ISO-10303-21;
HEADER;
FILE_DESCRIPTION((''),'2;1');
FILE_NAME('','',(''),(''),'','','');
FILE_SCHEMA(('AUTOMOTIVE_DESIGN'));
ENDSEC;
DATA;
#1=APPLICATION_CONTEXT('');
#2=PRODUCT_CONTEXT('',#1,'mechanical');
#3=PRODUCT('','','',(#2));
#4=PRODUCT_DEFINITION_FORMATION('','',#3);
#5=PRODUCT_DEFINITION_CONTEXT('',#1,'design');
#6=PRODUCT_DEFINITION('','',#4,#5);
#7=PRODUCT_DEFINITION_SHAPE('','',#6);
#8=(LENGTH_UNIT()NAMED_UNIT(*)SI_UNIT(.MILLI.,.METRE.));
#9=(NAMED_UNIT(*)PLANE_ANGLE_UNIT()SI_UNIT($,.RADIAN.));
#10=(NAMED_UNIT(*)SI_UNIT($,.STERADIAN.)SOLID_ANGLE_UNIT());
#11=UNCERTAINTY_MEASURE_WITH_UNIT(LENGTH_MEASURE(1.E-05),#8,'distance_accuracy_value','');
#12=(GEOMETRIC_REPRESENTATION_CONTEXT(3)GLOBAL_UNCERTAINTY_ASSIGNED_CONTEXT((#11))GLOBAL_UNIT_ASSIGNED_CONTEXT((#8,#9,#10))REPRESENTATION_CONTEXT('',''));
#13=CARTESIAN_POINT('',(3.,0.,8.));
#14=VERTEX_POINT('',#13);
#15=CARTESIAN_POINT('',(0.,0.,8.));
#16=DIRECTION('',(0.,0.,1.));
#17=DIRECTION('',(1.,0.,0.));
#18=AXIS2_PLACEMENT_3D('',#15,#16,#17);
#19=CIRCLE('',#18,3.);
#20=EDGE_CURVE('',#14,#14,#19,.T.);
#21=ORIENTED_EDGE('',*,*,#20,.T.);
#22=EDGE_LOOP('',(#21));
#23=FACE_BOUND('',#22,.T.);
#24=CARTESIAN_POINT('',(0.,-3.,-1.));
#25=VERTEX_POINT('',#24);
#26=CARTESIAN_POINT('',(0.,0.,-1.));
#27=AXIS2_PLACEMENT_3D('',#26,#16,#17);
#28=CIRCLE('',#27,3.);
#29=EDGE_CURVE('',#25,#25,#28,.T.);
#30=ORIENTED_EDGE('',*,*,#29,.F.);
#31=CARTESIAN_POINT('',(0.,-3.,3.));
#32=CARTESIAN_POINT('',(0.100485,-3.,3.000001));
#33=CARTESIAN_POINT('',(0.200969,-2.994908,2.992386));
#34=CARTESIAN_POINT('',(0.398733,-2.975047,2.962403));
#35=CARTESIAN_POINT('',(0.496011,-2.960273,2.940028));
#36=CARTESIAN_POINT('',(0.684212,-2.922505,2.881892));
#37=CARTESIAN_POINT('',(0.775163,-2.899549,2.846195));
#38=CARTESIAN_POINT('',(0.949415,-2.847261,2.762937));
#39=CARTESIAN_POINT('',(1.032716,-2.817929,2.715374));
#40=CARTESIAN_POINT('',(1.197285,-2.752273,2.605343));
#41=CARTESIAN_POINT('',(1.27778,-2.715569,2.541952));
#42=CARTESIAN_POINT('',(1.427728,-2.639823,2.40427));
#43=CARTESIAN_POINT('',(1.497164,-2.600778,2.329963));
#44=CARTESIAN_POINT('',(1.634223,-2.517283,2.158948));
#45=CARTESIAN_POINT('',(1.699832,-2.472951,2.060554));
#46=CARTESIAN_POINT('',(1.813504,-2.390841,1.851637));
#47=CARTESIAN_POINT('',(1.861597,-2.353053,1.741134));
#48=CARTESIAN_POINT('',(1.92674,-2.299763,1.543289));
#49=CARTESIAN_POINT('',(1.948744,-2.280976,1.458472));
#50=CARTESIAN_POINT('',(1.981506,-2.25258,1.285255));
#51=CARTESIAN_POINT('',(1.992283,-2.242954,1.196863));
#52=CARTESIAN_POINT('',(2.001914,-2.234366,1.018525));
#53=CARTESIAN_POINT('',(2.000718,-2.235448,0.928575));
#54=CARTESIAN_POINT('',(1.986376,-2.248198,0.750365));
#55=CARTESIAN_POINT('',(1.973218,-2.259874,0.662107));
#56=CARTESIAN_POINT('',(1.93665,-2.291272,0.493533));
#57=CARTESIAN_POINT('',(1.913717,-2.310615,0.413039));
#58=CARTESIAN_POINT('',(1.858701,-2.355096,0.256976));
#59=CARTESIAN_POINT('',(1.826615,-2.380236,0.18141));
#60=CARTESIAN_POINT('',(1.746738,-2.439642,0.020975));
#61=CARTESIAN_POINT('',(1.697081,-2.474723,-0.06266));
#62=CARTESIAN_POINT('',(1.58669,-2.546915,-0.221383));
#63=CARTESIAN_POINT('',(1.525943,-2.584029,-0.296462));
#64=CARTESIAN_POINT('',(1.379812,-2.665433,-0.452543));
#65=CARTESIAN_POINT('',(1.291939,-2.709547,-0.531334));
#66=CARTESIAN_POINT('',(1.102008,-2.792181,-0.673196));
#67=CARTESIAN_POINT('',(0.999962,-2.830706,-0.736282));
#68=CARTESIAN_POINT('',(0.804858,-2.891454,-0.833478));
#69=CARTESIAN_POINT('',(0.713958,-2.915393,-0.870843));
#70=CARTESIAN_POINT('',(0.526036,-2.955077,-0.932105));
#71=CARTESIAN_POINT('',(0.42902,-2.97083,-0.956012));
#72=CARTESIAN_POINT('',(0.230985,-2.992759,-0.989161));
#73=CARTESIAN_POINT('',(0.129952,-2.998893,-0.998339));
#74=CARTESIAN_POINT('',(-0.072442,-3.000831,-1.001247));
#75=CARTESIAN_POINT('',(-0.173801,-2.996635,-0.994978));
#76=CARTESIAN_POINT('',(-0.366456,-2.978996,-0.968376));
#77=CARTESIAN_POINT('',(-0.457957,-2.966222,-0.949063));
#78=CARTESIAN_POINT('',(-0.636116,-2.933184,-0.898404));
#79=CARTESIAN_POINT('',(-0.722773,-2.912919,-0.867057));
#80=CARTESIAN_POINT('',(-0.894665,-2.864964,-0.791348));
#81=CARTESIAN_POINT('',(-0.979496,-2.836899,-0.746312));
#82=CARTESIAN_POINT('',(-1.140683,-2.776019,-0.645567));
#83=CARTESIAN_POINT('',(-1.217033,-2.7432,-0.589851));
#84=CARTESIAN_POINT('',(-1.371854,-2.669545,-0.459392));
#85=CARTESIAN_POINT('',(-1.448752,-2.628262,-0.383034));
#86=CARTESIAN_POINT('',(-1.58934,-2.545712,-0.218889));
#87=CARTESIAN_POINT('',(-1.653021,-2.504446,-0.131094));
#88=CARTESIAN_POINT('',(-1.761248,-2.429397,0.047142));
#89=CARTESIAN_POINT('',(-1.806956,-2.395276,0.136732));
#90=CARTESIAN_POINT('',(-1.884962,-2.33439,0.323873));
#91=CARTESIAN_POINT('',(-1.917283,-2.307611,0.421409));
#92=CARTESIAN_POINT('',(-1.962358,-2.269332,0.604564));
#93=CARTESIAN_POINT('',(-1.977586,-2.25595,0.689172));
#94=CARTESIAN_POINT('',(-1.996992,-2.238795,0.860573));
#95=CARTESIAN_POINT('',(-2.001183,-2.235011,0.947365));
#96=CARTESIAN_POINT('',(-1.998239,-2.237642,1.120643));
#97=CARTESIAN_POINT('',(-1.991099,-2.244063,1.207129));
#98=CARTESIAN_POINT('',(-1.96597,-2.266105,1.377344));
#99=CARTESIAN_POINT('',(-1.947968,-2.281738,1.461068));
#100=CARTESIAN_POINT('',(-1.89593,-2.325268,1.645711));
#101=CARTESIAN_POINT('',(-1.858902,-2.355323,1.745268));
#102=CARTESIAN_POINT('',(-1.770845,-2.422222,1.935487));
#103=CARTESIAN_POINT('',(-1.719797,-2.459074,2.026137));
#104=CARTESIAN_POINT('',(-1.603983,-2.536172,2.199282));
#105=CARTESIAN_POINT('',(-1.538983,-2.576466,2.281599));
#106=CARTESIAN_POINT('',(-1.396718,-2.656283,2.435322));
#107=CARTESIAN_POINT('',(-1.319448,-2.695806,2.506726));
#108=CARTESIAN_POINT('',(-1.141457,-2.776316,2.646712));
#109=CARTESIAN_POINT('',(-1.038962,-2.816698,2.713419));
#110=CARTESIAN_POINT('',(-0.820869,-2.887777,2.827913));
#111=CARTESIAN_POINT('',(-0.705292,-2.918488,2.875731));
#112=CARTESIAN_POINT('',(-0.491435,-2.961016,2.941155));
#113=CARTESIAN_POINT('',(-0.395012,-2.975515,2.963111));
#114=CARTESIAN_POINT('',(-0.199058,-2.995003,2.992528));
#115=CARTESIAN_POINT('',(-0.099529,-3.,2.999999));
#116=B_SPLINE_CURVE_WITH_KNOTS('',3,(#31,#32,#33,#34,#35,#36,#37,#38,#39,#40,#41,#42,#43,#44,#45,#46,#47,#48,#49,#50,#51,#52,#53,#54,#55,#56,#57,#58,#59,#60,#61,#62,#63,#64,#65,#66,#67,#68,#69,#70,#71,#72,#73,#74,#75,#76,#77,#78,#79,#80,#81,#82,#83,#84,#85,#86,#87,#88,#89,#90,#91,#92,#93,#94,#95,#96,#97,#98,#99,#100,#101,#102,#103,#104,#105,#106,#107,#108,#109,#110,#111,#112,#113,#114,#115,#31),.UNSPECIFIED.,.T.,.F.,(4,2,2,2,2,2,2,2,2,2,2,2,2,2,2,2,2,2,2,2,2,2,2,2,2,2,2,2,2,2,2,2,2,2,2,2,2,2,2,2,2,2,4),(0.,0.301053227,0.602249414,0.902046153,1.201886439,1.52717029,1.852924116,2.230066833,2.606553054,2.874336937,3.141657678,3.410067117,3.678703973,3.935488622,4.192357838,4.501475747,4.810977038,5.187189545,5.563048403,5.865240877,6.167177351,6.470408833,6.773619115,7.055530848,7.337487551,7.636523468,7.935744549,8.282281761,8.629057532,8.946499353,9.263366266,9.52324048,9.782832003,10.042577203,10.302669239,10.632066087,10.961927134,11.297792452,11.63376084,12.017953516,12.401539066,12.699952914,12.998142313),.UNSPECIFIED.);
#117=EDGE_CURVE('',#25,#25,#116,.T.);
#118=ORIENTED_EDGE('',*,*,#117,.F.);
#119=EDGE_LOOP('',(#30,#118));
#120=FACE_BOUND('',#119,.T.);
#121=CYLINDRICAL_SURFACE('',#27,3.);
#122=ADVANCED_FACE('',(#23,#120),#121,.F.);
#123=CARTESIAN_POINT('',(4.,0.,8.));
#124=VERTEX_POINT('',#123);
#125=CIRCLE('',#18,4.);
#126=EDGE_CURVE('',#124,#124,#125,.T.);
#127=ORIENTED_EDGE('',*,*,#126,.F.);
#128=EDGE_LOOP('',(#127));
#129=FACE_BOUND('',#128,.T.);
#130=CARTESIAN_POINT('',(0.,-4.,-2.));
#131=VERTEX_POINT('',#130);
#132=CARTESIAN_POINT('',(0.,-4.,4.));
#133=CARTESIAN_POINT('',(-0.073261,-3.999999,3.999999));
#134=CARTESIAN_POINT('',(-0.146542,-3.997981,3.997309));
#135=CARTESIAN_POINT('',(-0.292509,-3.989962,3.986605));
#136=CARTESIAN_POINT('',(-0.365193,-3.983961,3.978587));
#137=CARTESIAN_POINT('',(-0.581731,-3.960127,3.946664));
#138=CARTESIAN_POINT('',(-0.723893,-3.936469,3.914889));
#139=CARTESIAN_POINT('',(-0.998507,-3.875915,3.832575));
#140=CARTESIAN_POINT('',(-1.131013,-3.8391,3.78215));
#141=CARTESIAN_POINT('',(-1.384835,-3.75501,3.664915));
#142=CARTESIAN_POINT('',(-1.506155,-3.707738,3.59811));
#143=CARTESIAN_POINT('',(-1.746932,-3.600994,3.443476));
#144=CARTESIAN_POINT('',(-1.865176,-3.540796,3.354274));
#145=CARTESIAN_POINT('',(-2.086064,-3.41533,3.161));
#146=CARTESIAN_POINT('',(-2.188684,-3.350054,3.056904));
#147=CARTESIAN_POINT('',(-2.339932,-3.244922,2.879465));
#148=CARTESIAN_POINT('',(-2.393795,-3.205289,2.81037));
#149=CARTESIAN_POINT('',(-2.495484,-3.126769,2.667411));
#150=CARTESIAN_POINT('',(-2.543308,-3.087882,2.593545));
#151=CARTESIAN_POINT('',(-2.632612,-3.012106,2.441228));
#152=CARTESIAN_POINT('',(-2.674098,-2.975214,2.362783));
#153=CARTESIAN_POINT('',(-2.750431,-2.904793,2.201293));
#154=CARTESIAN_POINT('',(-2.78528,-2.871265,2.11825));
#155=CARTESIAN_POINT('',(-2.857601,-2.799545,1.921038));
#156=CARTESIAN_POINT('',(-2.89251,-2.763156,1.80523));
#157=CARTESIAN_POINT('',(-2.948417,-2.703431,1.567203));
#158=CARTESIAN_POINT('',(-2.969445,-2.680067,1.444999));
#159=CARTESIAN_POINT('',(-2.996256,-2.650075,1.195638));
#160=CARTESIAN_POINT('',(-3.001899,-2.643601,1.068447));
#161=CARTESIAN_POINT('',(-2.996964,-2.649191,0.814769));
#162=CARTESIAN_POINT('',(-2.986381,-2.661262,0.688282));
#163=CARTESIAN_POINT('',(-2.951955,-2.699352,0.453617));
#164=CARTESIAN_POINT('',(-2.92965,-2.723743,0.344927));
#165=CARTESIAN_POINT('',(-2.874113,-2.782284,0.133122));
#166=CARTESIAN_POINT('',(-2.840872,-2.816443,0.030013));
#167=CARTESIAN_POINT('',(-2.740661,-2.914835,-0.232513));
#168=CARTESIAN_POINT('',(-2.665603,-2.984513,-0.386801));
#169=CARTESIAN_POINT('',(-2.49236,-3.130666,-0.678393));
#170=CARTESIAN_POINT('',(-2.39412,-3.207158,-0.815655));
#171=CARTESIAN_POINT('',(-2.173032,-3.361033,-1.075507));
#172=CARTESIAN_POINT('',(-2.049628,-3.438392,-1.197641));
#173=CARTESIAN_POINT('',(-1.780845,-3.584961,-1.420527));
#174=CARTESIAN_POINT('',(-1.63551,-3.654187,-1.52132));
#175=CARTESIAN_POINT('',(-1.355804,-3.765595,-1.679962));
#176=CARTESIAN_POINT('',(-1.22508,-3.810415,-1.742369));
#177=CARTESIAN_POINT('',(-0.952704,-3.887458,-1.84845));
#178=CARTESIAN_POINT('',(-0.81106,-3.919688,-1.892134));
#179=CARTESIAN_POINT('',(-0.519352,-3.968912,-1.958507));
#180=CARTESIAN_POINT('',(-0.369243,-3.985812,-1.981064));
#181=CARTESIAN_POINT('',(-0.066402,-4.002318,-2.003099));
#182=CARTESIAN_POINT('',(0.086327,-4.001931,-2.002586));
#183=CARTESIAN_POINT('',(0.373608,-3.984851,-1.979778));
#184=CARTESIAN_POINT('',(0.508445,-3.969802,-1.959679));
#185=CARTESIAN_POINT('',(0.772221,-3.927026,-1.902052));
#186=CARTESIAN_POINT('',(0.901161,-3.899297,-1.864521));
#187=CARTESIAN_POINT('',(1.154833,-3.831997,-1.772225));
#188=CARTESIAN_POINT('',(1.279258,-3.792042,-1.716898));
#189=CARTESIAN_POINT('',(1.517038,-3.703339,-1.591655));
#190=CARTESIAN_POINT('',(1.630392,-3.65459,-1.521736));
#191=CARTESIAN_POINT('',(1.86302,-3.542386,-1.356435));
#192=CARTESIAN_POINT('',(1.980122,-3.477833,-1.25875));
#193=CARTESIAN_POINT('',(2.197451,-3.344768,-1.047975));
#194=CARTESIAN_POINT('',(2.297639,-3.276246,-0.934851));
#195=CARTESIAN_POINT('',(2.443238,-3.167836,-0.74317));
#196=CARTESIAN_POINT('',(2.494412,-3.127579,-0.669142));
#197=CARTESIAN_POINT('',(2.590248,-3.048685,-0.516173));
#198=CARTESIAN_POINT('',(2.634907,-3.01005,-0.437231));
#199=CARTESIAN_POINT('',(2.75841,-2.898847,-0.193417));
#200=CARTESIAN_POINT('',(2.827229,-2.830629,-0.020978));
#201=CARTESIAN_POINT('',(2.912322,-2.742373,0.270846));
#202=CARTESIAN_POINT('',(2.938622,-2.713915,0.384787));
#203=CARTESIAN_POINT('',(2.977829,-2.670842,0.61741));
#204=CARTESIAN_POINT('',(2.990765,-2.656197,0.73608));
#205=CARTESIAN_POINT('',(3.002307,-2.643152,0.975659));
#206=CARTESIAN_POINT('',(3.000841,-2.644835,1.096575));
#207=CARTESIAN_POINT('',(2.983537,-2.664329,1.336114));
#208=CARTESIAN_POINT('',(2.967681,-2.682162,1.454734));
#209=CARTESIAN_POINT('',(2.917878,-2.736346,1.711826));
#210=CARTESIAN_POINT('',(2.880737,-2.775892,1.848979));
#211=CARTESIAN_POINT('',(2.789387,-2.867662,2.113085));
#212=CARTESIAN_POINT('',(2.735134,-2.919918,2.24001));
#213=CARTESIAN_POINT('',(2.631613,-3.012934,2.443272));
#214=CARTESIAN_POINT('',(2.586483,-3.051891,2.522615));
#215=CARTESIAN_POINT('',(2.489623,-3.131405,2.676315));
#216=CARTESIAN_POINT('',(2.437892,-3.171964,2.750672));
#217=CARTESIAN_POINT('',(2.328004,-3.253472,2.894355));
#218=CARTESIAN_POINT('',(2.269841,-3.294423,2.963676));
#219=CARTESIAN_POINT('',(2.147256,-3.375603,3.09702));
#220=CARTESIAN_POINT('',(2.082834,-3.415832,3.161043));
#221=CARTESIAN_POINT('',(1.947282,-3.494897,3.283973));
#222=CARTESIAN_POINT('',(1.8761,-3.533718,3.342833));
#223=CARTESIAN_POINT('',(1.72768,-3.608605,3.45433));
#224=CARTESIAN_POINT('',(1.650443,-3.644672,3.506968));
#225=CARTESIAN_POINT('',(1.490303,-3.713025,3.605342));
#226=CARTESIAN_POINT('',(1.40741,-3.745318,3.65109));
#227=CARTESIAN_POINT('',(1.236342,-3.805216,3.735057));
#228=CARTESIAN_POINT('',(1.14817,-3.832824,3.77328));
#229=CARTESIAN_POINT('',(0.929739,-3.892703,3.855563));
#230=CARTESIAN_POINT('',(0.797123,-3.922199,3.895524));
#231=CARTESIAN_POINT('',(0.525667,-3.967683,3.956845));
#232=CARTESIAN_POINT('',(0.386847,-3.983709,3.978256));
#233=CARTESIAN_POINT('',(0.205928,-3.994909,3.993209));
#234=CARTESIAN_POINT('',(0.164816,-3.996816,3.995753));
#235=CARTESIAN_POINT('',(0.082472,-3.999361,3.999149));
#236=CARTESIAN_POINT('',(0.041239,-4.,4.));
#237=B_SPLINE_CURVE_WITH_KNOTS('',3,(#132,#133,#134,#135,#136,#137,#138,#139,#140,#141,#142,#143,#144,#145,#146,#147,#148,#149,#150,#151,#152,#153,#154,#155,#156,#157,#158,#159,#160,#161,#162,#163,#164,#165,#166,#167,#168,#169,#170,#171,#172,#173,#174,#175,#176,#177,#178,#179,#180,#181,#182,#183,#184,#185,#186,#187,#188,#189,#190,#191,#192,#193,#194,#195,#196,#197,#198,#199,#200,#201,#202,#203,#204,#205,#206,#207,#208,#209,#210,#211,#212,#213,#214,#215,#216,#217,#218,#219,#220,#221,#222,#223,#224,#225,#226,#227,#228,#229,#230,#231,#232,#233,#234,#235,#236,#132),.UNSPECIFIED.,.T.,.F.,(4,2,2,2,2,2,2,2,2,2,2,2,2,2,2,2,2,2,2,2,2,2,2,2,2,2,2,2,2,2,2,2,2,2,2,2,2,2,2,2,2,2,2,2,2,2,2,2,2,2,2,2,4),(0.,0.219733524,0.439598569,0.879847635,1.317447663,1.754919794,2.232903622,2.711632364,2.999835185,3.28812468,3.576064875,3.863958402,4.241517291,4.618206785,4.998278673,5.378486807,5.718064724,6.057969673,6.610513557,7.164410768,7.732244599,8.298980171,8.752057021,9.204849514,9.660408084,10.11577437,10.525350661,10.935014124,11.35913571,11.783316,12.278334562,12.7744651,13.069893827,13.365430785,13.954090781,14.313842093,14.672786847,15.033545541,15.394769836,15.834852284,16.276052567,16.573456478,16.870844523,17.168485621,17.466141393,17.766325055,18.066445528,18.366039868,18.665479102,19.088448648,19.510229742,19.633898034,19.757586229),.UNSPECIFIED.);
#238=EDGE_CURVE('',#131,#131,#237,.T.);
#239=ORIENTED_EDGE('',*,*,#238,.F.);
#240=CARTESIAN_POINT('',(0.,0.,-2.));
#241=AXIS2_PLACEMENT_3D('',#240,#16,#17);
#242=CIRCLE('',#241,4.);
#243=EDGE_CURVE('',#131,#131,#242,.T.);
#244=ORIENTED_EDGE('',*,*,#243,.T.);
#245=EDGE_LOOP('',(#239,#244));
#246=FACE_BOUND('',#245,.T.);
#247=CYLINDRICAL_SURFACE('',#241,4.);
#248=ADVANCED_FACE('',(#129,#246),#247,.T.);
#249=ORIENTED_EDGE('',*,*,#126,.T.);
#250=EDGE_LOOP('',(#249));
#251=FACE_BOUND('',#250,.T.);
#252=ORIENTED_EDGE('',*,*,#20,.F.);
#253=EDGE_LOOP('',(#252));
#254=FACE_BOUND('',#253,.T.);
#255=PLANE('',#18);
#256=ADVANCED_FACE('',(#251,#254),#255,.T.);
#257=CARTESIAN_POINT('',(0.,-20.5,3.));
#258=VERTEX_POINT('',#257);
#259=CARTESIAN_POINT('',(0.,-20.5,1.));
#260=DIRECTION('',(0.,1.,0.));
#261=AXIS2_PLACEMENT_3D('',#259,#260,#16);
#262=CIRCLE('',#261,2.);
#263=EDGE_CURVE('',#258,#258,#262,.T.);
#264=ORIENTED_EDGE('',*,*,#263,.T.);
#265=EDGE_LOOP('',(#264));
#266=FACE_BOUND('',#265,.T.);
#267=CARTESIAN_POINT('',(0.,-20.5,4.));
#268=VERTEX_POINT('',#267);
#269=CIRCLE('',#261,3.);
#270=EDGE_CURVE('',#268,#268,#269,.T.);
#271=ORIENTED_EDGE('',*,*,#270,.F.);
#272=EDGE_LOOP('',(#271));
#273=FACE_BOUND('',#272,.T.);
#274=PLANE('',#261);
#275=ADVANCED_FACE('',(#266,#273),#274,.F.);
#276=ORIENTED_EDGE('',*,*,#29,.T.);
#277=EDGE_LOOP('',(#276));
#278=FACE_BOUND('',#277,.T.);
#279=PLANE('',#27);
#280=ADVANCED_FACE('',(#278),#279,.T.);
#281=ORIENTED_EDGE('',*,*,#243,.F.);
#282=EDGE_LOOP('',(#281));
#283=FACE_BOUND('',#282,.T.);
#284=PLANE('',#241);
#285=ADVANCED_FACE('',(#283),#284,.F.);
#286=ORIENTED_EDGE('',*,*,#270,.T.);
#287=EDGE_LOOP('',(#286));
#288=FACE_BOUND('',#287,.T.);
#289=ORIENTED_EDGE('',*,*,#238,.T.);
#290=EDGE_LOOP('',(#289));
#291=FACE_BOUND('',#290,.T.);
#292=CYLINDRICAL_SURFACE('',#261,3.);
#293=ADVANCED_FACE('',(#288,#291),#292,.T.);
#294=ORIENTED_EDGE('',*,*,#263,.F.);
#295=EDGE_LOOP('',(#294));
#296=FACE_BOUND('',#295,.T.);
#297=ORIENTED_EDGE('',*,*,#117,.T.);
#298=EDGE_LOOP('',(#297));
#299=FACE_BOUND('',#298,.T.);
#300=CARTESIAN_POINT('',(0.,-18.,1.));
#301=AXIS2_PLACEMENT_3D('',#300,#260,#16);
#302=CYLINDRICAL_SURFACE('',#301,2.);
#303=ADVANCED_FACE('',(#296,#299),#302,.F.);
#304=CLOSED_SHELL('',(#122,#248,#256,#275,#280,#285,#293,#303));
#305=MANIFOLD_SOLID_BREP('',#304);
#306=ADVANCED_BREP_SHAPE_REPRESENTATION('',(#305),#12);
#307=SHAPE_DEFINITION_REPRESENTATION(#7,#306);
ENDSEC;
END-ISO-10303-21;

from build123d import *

# Parameters (mm, degrees)
ESQUISSE1_R             = 4
BOSS_EXTRU_1_DEPTH      = 8
BOSS_EXTRU_1_DEPTH_BACK = 2
ESQUISSE4_R             = 2
ENL_V_MAT_EXTRU_2_DEPTH = 18
BOSS_EXTRU_2_START      = -2.5
ESQUISSE3_R             = 3
ESQUISSE3_R_2           = 2
BOSS_EXTRU_2_DEPTH      = 1
BOSS_EXTRU_2_DEPTH_BACK = 18
ESQUISSE2_R             = 3
ENL_V_MAT_EXTRU_3_DEPTH = 9


with BuildPart() as part:
    # Esquisse1 → Boss.-Extru.1 (new body, two sides)
    with BuildSketch(Plane.XY) as boss_extru_1_sk:
        Circle(ESQUISSE1_R)
    extrude(amount=BOSS_EXTRU_1_DEPTH)
    extrude(boss_extru_1_sk.sketch, amount=-BOSS_EXTRU_1_DEPTH_BACK)

    # Esquisse4 → Enlèv. mat.-Extru.2 (cut)
    with BuildSketch(Plane(origin=(0, 0, 0), x_dir=(1, 0, 0), z_dir=(0, 1, 0))):
        with Locations((0, -1)):
            Circle(ESQUISSE4_R)
    extrude(amount=-ENL_V_MAT_EXTRU_2_DEPTH, mode=Mode.SUBTRACT)

    # Esquisse3 → Boss.-Extru.2 (add, two sides)
    with BuildSketch(Plane(origin=(0, 0, 0), x_dir=(1, 0, 0), z_dir=(0, 1, 0)).offset(BOSS_EXTRU_2_START)) as boss_extru_2_sk:
        with Locations((0, -1)):
            Circle(ESQUISSE3_R)
        with Locations((0, -1)):
            Circle(ESQUISSE3_R_2, mode=Mode.SUBTRACT)
    extrude(amount=BOSS_EXTRU_2_DEPTH)
    extrude(boss_extru_2_sk.sketch, amount=-BOSS_EXTRU_2_DEPTH_BACK)

    # Esquisse2 → Enlèv. mat.-Extru.3 (cut)
    with BuildSketch(Plane.XY.offset(8)):
        Circle(ESQUISSE2_R)
    extrude(amount=-ENL_V_MAT_EXTRU_3_DEPTH, mode=Mode.SUBTRACT)


solid = part.part
